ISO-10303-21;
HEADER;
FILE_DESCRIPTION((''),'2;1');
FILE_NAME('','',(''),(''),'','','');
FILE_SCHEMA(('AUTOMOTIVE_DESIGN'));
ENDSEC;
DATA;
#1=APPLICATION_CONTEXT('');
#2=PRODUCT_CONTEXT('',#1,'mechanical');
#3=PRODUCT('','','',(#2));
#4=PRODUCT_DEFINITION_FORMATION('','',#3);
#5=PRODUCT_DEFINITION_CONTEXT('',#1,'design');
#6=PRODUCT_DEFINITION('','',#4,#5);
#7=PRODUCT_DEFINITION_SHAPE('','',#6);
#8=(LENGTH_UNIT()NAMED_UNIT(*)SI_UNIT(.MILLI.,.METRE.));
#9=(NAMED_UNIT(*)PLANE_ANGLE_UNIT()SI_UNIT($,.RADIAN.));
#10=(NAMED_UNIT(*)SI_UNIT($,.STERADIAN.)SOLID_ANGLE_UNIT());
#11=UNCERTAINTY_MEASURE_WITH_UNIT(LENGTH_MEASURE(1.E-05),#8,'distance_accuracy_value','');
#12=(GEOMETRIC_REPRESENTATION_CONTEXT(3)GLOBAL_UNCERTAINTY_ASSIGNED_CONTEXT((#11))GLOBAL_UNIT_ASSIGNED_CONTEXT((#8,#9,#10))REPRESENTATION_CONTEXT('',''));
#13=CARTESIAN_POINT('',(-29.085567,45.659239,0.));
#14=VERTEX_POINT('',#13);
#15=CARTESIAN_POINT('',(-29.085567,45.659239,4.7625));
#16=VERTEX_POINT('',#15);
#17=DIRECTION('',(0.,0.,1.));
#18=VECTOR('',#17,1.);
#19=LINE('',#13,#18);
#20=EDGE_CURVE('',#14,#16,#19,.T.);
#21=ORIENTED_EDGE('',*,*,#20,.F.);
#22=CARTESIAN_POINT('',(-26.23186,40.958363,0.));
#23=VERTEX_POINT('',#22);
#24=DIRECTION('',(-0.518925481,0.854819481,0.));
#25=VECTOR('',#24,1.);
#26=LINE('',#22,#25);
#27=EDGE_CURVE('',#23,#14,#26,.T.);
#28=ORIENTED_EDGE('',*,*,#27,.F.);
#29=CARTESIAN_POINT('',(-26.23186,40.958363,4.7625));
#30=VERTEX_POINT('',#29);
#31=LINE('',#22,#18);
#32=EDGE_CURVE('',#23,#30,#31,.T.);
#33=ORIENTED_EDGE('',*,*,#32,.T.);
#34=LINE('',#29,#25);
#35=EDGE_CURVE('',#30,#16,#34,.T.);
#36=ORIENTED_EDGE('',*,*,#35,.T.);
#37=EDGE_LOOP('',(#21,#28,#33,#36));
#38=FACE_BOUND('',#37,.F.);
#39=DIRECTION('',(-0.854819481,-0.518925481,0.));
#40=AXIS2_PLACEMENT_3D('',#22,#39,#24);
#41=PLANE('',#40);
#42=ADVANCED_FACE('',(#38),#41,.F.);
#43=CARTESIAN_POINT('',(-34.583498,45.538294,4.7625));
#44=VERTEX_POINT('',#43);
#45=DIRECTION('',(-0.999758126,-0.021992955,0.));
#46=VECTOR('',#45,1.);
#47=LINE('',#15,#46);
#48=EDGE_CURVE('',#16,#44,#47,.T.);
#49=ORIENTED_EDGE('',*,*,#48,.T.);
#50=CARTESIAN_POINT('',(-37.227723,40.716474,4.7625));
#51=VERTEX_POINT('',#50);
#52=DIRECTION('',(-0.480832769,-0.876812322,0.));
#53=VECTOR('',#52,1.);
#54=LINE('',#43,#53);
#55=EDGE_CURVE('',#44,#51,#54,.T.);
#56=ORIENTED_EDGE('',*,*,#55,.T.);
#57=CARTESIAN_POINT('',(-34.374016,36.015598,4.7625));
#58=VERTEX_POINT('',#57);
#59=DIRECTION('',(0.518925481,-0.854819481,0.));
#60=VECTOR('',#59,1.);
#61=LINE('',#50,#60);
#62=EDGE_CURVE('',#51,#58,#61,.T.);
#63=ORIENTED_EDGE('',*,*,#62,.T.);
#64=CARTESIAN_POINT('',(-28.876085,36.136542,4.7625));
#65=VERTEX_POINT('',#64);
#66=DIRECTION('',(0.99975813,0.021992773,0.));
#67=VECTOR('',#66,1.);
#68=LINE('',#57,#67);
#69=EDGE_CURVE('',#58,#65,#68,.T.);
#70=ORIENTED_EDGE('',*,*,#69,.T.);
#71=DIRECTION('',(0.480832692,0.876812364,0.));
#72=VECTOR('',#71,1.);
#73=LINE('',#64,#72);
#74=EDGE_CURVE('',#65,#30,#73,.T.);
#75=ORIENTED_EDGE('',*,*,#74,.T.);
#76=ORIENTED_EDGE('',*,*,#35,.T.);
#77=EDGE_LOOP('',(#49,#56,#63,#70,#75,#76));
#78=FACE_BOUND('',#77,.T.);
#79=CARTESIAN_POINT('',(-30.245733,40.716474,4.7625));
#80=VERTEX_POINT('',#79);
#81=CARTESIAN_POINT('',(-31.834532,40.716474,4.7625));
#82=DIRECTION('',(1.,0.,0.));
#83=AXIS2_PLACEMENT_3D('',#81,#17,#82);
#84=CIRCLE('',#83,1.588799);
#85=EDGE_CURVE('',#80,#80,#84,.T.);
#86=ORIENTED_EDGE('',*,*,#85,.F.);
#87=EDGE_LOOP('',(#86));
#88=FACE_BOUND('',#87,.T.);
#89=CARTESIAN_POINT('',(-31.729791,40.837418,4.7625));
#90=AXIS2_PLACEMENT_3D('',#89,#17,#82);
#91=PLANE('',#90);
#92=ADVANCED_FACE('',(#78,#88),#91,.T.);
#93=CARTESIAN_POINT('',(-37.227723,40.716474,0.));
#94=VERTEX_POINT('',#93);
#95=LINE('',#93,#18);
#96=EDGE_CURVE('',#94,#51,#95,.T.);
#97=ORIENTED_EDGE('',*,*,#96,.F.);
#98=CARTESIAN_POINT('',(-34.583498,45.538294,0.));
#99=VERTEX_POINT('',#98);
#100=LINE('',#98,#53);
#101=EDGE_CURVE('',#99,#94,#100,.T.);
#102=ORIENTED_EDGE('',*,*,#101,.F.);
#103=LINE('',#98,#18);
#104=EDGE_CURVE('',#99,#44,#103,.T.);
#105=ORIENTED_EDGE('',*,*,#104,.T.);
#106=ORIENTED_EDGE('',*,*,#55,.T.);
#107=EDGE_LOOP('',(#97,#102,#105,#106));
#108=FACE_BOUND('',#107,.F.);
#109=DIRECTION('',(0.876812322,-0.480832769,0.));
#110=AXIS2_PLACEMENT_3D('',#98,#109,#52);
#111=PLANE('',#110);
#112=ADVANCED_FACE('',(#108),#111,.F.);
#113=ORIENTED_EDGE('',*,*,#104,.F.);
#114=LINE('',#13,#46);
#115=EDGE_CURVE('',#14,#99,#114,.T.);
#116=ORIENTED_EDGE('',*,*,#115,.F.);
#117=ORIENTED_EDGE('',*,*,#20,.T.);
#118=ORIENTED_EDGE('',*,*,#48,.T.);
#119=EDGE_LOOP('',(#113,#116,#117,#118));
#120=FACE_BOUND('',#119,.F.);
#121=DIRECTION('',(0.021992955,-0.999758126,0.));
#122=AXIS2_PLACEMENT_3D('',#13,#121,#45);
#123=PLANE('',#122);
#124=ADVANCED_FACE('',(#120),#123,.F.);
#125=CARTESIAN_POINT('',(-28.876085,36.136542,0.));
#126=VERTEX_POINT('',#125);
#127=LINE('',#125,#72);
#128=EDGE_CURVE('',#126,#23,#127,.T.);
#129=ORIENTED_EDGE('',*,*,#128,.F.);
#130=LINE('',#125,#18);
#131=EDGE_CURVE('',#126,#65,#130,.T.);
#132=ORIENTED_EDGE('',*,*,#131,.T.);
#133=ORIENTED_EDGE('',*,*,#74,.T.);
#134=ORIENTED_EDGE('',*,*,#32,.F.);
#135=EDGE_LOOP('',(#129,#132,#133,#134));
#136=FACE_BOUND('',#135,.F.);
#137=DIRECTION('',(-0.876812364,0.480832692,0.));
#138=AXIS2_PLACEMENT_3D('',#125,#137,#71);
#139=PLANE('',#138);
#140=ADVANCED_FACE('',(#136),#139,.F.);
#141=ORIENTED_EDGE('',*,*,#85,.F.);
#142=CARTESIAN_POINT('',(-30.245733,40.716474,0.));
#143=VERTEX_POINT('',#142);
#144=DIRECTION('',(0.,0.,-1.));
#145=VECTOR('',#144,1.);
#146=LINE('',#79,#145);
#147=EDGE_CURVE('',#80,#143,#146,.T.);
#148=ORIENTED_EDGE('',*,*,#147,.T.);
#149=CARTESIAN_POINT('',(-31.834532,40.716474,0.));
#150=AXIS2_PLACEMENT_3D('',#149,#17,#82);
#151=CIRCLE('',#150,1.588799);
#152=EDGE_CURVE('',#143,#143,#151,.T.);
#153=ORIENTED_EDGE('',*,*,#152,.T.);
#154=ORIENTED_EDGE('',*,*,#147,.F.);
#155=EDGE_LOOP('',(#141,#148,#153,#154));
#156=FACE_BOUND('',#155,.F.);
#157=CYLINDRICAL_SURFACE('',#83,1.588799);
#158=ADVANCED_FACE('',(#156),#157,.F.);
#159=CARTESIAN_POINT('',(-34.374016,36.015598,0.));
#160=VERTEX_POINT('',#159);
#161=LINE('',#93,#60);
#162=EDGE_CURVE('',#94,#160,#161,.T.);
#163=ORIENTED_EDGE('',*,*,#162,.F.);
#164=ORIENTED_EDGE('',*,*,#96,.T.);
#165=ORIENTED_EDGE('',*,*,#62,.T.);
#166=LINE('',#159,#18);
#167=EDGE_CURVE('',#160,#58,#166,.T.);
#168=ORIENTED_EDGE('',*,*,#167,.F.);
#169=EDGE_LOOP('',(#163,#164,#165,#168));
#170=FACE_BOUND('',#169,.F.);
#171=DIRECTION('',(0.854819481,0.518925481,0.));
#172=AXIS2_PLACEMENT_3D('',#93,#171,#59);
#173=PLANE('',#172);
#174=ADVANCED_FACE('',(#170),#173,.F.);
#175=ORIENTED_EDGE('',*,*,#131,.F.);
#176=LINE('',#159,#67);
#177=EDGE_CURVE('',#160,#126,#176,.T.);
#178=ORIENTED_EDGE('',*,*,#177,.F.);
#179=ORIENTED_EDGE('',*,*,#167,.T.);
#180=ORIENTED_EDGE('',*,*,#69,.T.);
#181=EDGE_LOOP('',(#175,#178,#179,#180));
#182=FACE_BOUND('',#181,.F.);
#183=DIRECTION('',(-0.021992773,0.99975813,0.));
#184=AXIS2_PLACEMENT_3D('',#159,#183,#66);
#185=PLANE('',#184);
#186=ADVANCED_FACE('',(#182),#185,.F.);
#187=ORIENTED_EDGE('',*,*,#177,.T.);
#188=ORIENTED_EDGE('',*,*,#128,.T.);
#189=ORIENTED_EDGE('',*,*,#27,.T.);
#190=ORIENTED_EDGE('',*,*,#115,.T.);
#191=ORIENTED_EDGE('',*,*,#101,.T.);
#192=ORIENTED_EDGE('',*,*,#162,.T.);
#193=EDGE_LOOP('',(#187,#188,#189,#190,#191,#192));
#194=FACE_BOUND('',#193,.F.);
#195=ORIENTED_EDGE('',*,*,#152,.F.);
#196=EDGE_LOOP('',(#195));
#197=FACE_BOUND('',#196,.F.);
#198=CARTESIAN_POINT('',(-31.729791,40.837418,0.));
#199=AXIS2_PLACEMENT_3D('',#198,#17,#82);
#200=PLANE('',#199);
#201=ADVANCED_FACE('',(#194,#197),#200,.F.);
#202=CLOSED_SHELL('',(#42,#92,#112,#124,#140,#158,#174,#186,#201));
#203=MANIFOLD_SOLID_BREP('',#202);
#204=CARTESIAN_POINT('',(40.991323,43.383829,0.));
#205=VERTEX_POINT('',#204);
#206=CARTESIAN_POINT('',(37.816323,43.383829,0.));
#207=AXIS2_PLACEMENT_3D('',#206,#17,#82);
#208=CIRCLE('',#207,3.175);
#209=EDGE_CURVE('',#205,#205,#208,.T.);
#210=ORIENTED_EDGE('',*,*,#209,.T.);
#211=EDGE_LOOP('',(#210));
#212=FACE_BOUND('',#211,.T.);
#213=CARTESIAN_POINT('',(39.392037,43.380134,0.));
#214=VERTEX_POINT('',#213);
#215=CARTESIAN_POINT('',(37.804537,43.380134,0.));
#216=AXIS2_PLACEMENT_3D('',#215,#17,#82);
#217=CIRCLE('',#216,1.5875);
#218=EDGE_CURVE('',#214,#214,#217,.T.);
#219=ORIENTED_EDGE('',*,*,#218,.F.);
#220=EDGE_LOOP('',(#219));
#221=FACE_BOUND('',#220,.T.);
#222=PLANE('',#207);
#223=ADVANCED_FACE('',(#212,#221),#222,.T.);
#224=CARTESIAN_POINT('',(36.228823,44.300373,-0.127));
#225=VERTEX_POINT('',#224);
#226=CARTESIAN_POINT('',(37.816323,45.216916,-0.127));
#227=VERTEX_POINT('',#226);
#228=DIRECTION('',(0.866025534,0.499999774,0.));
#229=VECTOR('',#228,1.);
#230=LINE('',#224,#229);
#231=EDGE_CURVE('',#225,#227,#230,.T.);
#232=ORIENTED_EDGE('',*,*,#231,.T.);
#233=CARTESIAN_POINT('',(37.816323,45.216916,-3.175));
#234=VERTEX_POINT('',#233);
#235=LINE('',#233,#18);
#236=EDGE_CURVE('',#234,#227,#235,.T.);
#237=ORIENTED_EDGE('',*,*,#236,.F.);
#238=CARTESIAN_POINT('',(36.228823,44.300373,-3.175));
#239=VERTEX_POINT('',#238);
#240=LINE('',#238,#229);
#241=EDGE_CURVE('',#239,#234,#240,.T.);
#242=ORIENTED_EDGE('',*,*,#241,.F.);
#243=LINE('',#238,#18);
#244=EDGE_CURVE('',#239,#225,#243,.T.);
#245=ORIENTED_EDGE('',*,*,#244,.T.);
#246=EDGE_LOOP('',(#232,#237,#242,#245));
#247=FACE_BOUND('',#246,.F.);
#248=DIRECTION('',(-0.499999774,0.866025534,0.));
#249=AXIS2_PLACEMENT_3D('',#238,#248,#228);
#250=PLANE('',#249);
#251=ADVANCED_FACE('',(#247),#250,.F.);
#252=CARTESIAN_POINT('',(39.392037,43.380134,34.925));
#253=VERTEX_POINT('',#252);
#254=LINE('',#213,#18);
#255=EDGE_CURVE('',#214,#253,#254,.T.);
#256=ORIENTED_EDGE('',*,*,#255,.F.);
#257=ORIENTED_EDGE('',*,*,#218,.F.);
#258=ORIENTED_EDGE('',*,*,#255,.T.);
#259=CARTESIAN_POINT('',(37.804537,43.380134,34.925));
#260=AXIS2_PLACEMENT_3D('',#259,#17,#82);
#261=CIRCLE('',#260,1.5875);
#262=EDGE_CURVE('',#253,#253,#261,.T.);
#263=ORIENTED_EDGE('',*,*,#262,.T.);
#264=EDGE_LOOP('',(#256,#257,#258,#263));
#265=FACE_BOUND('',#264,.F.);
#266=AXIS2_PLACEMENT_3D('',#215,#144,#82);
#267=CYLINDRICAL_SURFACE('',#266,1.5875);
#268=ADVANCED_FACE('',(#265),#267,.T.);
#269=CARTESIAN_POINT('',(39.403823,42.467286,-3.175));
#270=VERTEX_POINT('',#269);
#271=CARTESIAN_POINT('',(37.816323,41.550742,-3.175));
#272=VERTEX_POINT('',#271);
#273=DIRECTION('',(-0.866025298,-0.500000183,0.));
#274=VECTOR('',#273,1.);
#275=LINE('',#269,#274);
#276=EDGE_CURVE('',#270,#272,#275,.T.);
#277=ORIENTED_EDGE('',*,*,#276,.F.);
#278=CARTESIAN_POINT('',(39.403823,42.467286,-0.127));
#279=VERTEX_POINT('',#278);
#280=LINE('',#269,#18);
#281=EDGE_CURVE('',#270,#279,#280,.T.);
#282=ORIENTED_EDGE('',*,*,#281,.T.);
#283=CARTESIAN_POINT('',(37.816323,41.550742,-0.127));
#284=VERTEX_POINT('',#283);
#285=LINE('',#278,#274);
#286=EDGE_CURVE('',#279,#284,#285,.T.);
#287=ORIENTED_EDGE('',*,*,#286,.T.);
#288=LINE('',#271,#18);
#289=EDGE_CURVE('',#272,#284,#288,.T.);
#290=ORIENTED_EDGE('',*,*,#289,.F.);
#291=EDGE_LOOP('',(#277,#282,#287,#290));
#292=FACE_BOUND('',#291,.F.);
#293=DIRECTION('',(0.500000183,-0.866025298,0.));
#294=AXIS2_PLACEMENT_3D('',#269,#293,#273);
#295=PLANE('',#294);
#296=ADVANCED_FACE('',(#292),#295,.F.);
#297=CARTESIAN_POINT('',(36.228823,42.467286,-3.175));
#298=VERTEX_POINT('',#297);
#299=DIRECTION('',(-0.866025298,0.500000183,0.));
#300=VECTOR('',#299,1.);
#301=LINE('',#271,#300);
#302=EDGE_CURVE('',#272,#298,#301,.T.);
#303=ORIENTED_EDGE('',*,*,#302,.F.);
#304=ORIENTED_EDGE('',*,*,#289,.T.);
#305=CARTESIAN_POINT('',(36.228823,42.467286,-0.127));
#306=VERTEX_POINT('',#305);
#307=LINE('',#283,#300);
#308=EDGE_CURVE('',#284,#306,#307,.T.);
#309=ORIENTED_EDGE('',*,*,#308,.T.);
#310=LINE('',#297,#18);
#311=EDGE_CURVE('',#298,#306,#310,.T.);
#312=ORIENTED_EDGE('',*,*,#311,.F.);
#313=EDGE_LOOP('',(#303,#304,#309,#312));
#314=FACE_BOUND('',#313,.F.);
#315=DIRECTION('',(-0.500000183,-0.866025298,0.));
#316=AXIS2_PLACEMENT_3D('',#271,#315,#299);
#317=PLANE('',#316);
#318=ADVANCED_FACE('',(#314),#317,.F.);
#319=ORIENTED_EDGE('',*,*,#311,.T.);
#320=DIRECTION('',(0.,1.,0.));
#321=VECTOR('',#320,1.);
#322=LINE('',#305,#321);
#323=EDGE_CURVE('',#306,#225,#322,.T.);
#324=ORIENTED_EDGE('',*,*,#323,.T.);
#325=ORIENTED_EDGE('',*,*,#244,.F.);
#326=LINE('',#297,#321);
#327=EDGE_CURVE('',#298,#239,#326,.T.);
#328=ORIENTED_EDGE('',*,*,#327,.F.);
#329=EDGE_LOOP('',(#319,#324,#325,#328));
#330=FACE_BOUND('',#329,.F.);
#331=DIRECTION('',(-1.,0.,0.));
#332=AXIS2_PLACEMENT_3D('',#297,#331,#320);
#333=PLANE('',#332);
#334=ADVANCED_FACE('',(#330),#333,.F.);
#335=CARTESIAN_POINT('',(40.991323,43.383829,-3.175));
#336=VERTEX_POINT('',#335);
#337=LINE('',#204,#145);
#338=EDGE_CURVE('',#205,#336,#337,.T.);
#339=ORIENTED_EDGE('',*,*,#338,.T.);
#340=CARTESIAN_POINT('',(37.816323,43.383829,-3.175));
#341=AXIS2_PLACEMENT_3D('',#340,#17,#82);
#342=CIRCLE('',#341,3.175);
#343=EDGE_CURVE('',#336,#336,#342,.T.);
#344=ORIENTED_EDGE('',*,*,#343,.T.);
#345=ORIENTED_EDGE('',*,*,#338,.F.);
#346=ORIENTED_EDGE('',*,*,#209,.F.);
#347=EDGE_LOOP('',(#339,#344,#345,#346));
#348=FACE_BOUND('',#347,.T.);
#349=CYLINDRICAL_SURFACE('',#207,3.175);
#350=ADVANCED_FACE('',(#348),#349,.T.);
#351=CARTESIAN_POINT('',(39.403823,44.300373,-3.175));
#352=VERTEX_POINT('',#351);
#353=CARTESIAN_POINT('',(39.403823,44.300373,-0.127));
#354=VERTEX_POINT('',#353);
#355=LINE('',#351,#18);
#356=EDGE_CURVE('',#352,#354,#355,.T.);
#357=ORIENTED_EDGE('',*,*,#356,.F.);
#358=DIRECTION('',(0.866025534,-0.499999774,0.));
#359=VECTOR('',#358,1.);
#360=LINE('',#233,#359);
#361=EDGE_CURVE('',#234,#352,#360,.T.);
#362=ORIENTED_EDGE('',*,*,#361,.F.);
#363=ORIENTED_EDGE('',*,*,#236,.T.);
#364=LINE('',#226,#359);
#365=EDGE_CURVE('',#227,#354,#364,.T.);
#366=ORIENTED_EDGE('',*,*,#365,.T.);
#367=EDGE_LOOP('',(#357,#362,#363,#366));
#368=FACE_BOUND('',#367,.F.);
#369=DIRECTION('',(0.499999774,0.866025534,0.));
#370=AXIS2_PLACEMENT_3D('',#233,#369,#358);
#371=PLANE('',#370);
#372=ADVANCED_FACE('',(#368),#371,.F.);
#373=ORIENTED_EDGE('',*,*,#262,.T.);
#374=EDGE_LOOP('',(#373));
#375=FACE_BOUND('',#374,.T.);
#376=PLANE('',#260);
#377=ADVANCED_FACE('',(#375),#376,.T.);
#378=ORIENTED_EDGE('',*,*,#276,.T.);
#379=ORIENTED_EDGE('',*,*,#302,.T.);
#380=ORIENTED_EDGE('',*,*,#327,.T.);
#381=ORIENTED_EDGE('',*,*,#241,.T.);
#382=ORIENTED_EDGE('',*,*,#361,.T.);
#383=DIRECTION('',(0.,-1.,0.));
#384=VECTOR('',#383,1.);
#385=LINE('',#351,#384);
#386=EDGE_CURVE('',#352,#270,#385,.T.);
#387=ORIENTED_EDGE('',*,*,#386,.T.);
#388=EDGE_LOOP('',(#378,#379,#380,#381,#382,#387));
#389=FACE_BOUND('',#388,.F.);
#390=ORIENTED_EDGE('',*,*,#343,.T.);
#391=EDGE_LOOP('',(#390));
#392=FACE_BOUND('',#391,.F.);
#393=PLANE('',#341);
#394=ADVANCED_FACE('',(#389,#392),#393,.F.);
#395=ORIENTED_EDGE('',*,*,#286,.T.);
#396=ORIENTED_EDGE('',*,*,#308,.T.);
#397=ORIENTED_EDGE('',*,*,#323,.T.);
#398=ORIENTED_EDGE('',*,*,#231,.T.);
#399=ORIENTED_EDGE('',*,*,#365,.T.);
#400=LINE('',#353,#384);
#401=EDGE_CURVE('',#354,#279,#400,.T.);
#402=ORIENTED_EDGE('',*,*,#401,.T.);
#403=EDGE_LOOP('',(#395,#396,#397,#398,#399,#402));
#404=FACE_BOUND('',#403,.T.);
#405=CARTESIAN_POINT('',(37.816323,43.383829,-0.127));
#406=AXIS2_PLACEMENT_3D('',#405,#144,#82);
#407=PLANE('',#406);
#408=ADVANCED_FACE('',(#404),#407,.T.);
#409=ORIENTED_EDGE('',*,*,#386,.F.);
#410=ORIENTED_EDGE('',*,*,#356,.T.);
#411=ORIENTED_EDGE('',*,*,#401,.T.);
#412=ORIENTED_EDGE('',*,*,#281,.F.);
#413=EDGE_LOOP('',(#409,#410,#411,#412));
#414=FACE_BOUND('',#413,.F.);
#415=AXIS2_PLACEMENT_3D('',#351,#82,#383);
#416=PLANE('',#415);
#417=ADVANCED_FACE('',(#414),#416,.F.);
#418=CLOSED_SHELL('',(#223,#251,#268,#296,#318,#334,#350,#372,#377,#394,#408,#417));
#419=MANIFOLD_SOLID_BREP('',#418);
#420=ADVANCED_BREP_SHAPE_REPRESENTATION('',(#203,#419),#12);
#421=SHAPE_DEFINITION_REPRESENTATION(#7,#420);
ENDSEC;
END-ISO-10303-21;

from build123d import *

# Parameters (mm, degrees)
F1_DEPTH = 4.7625
F2_R     = 1.588799
F3_DEPTH = 4.7625
F5_R     = 1.5875
F6_DEPTH = 34.925
F4_R     = 3.175
F7_DEPTH = 3.175
F9_DEPTH = 3.048


with BuildPart() as f1:
    # F0 (on Top) → F1 (new body)
    with BuildSketch(Plane.XY):
        Polygon((-28.876085, 36.136542), (-26.23186, 40.958363), (-29.085567, 45.659239), (-34.583498, 45.538294), (-37.227723, 40.716474), (-34.374016, 36.015598), align=None)
    extrude(amount=F1_DEPTH)

    # F2 (on face) → F3 (cut)
    with BuildSketch(Plane.XY.offset(4.7625)):
        with Locations((-31.834532, 40.716474)):
            Circle(F2_R)
    extrude(amount=-F3_DEPTH, mode=Mode.SUBTRACT)


with BuildPart() as f6:
    # F5 (on face) → F6 (new body)
    with BuildSketch(Plane.XY):
        with Locations((37.804537, 43.380134)):
            Circle(F5_R)
    extrude(amount=F6_DEPTH)

    # F4 (on Top) → F7 (join)
    with BuildSketch(Plane.XY):
        with Locations((37.816323, 43.383829)):
            Circle(F4_R)
    extrude(amount=-F7_DEPTH)

    # F8 (on face) → F9 (cut)
    with BuildSketch(Plane(origin=(0, 0, -3.175), x_dir=(1, 0, 0), z_dir=(0, 0, -1))):
        Polygon((39.403823, -44.300373), (39.403823, -42.467286), (37.816323, -41.550742), (36.228823, -42.467286), (36.228823, -44.300373), (37.816323, -45.216916), align=None)
    extrude(amount=-F9_DEPTH, mode=Mode.SUBTRACT)


solid = Compound([f1.part, f6.part])
